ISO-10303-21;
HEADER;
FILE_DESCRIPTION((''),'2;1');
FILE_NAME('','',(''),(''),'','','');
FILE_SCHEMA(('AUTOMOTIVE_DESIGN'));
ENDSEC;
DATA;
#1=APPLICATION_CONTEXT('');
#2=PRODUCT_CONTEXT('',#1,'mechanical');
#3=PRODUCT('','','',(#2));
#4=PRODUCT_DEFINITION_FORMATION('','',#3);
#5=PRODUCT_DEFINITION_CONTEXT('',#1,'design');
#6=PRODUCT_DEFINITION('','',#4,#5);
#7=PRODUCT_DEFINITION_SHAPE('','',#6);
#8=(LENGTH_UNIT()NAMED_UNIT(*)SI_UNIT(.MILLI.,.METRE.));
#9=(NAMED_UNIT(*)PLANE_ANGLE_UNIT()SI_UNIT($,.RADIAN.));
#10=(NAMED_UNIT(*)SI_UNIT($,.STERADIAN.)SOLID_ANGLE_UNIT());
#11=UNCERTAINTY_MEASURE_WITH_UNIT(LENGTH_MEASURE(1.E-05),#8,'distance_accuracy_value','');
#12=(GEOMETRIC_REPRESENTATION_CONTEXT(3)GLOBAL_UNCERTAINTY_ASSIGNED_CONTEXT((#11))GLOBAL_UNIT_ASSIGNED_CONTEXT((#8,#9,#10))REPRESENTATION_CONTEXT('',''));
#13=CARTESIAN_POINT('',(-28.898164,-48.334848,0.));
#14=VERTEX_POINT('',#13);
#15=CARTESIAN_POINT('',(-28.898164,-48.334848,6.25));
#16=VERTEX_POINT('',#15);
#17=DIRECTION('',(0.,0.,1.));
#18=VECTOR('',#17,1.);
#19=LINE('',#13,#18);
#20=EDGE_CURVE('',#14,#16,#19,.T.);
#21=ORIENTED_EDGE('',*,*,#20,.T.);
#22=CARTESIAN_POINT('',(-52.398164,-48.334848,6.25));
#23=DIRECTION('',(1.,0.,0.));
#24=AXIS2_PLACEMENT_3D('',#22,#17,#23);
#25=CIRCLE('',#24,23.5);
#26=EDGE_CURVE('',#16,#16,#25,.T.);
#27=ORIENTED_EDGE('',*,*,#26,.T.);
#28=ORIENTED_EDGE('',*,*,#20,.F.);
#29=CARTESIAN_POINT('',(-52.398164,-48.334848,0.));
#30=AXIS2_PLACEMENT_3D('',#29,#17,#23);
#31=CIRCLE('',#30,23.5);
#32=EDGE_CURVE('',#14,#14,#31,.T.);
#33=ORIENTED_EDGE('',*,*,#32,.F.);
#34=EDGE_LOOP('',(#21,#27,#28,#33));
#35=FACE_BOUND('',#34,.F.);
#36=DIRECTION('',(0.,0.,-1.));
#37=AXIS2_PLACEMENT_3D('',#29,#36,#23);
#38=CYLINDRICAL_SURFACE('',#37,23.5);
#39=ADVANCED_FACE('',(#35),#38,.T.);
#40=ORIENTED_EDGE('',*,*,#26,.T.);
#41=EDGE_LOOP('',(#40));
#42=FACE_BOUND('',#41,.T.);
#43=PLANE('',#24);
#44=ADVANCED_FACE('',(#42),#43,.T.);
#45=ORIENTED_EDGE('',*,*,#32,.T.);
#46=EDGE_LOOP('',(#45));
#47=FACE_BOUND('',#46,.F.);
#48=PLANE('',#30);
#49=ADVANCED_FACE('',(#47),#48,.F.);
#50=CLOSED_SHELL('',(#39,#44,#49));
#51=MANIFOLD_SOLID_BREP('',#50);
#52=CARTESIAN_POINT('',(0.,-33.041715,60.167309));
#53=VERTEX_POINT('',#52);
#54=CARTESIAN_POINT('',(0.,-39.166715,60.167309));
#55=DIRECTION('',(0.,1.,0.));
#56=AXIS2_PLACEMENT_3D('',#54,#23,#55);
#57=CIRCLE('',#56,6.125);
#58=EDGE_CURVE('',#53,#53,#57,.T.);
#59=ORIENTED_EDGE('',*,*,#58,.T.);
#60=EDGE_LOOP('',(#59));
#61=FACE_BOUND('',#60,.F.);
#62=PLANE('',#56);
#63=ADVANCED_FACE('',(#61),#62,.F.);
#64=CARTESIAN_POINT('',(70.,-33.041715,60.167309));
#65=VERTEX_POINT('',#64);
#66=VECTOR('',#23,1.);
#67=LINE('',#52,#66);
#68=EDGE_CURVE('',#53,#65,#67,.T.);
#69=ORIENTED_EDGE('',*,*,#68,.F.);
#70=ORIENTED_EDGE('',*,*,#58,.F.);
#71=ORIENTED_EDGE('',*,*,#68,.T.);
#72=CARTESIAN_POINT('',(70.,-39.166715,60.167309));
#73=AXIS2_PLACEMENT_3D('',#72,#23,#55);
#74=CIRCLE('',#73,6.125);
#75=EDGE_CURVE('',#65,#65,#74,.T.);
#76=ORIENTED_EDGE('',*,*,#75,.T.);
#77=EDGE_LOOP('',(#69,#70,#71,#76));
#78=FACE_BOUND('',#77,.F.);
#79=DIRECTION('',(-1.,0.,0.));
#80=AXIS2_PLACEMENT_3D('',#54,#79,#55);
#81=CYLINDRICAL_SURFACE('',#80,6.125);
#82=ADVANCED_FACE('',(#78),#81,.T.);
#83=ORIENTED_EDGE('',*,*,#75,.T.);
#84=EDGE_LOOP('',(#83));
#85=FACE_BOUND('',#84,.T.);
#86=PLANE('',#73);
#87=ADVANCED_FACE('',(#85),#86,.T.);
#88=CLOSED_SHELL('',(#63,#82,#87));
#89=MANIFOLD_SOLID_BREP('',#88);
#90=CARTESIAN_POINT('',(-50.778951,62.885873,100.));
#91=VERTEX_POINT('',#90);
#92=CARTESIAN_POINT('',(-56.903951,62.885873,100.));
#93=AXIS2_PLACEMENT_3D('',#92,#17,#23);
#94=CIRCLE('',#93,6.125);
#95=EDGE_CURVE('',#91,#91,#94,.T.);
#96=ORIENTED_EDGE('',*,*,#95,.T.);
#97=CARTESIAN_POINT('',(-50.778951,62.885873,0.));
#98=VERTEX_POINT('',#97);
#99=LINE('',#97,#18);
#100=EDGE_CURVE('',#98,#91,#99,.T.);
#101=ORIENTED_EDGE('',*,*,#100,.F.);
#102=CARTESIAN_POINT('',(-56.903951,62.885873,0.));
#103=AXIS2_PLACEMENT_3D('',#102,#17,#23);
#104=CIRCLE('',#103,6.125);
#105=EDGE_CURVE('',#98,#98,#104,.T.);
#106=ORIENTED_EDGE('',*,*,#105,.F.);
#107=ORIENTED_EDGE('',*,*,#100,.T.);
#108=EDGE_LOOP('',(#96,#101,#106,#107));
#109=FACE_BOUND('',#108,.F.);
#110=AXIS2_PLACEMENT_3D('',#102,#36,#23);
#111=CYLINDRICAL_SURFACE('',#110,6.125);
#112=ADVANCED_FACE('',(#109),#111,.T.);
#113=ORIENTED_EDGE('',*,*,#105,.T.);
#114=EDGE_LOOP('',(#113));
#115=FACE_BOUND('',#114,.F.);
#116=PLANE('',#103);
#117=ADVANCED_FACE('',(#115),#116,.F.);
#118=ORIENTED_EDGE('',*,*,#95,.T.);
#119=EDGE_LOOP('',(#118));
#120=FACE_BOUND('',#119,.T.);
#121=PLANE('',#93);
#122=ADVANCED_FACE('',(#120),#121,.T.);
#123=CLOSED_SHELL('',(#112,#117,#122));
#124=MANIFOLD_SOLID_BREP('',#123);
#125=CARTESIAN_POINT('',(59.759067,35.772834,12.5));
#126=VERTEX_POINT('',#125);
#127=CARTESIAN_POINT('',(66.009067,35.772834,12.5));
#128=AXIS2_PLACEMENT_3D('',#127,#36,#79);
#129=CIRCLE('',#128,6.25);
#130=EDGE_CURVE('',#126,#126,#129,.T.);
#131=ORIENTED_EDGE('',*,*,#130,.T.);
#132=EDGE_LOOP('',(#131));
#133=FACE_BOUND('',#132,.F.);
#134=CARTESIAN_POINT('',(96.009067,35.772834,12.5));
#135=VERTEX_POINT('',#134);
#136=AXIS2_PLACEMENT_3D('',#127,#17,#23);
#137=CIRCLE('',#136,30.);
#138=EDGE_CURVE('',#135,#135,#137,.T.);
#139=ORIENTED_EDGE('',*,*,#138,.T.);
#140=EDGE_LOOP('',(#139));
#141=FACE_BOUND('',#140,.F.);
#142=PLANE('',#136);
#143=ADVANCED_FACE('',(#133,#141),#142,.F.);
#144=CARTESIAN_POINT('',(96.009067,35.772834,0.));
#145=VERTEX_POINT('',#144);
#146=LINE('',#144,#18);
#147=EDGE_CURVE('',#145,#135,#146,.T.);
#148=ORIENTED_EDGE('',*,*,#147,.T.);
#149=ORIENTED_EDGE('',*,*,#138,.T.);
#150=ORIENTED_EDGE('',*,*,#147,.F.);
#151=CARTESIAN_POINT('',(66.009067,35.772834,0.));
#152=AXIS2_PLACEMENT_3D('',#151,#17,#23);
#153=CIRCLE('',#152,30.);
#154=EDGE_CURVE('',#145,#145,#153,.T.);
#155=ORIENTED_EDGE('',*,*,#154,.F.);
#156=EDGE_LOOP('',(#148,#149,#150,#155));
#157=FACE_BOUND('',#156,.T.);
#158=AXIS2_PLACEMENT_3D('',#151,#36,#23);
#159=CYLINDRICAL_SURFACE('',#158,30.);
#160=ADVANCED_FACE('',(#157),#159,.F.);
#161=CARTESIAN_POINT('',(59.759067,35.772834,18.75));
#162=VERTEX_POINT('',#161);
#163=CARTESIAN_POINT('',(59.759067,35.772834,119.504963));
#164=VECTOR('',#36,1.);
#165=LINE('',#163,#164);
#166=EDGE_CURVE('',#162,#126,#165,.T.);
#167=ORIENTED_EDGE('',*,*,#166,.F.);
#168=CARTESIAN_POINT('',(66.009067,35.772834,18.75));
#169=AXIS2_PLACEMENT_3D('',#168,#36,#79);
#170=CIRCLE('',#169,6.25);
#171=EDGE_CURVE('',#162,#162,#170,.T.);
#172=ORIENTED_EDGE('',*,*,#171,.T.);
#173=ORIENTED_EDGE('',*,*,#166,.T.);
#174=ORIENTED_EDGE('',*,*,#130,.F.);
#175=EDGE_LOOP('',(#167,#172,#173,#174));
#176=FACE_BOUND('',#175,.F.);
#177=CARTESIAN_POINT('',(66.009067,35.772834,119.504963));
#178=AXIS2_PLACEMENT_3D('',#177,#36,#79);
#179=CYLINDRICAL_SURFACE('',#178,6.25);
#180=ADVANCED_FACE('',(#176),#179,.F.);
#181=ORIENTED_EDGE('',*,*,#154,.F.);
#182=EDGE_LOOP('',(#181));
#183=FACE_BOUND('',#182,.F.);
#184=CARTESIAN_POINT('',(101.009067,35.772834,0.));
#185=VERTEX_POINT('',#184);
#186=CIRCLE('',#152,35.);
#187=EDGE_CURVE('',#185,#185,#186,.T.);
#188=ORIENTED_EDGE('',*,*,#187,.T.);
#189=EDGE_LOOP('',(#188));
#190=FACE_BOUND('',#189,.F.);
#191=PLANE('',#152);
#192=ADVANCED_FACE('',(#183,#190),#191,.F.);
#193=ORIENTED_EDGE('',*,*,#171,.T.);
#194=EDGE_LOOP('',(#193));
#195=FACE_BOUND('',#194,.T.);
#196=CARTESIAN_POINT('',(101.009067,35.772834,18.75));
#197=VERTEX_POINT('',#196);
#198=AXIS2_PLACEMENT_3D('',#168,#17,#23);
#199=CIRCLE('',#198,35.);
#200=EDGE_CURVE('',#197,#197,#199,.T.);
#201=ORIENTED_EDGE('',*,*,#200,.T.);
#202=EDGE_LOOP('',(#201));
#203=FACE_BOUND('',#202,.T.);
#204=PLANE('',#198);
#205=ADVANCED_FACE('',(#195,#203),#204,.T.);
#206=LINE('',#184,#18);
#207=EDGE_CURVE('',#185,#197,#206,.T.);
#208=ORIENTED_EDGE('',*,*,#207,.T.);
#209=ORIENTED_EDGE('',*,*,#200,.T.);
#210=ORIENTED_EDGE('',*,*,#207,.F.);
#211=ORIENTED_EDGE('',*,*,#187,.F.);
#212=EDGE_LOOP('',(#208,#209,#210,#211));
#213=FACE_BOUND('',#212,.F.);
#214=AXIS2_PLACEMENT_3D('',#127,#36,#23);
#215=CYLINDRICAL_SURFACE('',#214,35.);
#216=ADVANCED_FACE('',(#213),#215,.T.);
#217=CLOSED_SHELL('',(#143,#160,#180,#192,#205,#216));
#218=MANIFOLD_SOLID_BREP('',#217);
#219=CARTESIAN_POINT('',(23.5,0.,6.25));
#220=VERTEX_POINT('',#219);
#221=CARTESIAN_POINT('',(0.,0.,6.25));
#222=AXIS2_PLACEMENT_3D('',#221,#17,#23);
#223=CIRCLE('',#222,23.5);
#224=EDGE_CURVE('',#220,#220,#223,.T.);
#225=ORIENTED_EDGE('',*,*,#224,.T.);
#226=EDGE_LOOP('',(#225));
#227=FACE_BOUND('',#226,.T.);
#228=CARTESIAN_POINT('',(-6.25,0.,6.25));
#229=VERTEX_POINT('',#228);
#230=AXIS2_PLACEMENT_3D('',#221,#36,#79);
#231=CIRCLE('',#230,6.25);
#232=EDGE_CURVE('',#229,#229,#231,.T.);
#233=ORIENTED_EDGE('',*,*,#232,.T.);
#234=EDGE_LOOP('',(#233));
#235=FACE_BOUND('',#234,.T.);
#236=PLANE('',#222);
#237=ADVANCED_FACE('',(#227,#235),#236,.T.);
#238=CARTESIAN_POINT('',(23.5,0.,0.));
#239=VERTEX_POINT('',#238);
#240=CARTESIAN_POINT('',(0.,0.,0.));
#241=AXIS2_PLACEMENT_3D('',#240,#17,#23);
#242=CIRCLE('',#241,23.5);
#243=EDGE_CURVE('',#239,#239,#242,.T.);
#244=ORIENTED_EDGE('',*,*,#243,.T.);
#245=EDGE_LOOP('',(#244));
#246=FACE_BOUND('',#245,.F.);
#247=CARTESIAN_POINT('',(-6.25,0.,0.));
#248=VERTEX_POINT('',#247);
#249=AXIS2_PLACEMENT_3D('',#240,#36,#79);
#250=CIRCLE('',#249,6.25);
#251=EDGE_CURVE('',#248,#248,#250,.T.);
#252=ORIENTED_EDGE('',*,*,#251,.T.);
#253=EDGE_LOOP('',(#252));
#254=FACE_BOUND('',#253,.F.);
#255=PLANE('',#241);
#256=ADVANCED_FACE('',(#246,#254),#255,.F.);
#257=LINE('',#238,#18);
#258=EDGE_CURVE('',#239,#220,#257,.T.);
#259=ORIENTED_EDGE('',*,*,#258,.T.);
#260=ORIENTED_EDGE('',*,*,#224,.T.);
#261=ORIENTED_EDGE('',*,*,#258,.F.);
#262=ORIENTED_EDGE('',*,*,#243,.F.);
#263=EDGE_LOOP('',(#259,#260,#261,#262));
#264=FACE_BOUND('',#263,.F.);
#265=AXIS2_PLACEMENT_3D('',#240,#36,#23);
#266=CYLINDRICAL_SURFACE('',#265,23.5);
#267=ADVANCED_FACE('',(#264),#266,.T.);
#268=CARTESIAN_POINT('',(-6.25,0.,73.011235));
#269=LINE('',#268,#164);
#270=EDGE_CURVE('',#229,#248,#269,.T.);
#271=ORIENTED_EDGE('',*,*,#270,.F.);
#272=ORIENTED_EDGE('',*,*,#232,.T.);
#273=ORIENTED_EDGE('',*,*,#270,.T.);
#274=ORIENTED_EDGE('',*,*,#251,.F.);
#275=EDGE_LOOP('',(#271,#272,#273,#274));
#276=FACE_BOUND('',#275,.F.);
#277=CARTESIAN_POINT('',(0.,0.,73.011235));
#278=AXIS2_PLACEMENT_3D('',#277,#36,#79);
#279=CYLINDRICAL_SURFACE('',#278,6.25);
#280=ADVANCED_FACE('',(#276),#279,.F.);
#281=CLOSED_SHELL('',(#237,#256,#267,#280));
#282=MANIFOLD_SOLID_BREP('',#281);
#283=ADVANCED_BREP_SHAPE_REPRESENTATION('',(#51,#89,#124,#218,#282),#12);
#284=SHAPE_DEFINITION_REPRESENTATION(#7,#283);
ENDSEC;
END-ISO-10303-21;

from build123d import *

# Parameters (mm, degrees)
F0_R      = 23.5
F1_DEPTH  = 6.25
F3_D      = 12.5
F0_R_2    = 35
F0_R_3    = 30
F4_DEPTH  = 12.5
F5_R      = 35
F5_R_2    = 30
F6_DEPTH  = 6.25
F8_D      = 12.5
F9_R      = 6.125
F10_DEPTH = 100
F11_R     = 6.125
F12_DEPTH = 70
F13_R     = 23.5
F14_DEPTH = 6.25


with BuildPart() as f1:
    # F0 (on Top) → F1 (new body)
    with BuildSketch(Plane.XY):
        Circle(F0_R)
    extrude(amount=F1_DEPTH)

    # F3 (through all)
    with Locations(Plane.XY.offset(6.25)):
        with Locations((0, 0)):
            Hole(F3_D / 2)


with BuildPart() as f4:
    # F0 (on Top) → F4 (new body)
    with BuildSketch(Plane.XY):
        with Locations((66.009066999, 35.7728339732)):
            Circle(F0_R_2)
        with Locations((66.009066999, 35.7728339732)):
            Circle(F0_R_3, mode=Mode.SUBTRACT)
    extrude(amount=F4_DEPTH)

    # F5 (on face) → F6 (join)
    with BuildSketch(Plane.XY.offset(12.5)):
        with Locations((66.009066999, 35.7728339732)):
            Circle(F5_R)
        with Locations((66.009066999, 35.7728339732)):
            Circle(F5_R_2, mode=Mode.SUBTRACT)
        with Locations((66.009066999, 35.7728339732)):
            Circle(F5_R_2)
    extrude(amount=F6_DEPTH)

    # F8 (through all)
    with Locations(Plane.XY.offset(18.75)):
        with Locations((66.009066999, 35.7728339732)):
            Hole(F8_D / 2)


with BuildPart() as f10:
    # F9 (on Top) → F10 (new body)
    with BuildSketch(Plane.XY):
        with Locations((-56.90395087, 62.8858730197)):
            Circle(F9_R)
    extrude(amount=F10_DEPTH)


with BuildPart() as f12:
    # F11 (on Right) → F12 (new body)
    with BuildSketch(Plane.YZ):
        with Locations((-39.1667149961, 60.1673088968)):
            Circle(F11_R)
    extrude(amount=F12_DEPTH)


with BuildPart() as f14:
    # F13 (on Top) → F14 (new body)
    with BuildSketch(Plane.XY):
        with Locations((-52.3981638253, -48.3348481357)):
            Circle(F13_R)
    extrude(amount=F14_DEPTH)


solid = Compound([f1.part, f4.part, f10.part, f12.part, f14.part])
